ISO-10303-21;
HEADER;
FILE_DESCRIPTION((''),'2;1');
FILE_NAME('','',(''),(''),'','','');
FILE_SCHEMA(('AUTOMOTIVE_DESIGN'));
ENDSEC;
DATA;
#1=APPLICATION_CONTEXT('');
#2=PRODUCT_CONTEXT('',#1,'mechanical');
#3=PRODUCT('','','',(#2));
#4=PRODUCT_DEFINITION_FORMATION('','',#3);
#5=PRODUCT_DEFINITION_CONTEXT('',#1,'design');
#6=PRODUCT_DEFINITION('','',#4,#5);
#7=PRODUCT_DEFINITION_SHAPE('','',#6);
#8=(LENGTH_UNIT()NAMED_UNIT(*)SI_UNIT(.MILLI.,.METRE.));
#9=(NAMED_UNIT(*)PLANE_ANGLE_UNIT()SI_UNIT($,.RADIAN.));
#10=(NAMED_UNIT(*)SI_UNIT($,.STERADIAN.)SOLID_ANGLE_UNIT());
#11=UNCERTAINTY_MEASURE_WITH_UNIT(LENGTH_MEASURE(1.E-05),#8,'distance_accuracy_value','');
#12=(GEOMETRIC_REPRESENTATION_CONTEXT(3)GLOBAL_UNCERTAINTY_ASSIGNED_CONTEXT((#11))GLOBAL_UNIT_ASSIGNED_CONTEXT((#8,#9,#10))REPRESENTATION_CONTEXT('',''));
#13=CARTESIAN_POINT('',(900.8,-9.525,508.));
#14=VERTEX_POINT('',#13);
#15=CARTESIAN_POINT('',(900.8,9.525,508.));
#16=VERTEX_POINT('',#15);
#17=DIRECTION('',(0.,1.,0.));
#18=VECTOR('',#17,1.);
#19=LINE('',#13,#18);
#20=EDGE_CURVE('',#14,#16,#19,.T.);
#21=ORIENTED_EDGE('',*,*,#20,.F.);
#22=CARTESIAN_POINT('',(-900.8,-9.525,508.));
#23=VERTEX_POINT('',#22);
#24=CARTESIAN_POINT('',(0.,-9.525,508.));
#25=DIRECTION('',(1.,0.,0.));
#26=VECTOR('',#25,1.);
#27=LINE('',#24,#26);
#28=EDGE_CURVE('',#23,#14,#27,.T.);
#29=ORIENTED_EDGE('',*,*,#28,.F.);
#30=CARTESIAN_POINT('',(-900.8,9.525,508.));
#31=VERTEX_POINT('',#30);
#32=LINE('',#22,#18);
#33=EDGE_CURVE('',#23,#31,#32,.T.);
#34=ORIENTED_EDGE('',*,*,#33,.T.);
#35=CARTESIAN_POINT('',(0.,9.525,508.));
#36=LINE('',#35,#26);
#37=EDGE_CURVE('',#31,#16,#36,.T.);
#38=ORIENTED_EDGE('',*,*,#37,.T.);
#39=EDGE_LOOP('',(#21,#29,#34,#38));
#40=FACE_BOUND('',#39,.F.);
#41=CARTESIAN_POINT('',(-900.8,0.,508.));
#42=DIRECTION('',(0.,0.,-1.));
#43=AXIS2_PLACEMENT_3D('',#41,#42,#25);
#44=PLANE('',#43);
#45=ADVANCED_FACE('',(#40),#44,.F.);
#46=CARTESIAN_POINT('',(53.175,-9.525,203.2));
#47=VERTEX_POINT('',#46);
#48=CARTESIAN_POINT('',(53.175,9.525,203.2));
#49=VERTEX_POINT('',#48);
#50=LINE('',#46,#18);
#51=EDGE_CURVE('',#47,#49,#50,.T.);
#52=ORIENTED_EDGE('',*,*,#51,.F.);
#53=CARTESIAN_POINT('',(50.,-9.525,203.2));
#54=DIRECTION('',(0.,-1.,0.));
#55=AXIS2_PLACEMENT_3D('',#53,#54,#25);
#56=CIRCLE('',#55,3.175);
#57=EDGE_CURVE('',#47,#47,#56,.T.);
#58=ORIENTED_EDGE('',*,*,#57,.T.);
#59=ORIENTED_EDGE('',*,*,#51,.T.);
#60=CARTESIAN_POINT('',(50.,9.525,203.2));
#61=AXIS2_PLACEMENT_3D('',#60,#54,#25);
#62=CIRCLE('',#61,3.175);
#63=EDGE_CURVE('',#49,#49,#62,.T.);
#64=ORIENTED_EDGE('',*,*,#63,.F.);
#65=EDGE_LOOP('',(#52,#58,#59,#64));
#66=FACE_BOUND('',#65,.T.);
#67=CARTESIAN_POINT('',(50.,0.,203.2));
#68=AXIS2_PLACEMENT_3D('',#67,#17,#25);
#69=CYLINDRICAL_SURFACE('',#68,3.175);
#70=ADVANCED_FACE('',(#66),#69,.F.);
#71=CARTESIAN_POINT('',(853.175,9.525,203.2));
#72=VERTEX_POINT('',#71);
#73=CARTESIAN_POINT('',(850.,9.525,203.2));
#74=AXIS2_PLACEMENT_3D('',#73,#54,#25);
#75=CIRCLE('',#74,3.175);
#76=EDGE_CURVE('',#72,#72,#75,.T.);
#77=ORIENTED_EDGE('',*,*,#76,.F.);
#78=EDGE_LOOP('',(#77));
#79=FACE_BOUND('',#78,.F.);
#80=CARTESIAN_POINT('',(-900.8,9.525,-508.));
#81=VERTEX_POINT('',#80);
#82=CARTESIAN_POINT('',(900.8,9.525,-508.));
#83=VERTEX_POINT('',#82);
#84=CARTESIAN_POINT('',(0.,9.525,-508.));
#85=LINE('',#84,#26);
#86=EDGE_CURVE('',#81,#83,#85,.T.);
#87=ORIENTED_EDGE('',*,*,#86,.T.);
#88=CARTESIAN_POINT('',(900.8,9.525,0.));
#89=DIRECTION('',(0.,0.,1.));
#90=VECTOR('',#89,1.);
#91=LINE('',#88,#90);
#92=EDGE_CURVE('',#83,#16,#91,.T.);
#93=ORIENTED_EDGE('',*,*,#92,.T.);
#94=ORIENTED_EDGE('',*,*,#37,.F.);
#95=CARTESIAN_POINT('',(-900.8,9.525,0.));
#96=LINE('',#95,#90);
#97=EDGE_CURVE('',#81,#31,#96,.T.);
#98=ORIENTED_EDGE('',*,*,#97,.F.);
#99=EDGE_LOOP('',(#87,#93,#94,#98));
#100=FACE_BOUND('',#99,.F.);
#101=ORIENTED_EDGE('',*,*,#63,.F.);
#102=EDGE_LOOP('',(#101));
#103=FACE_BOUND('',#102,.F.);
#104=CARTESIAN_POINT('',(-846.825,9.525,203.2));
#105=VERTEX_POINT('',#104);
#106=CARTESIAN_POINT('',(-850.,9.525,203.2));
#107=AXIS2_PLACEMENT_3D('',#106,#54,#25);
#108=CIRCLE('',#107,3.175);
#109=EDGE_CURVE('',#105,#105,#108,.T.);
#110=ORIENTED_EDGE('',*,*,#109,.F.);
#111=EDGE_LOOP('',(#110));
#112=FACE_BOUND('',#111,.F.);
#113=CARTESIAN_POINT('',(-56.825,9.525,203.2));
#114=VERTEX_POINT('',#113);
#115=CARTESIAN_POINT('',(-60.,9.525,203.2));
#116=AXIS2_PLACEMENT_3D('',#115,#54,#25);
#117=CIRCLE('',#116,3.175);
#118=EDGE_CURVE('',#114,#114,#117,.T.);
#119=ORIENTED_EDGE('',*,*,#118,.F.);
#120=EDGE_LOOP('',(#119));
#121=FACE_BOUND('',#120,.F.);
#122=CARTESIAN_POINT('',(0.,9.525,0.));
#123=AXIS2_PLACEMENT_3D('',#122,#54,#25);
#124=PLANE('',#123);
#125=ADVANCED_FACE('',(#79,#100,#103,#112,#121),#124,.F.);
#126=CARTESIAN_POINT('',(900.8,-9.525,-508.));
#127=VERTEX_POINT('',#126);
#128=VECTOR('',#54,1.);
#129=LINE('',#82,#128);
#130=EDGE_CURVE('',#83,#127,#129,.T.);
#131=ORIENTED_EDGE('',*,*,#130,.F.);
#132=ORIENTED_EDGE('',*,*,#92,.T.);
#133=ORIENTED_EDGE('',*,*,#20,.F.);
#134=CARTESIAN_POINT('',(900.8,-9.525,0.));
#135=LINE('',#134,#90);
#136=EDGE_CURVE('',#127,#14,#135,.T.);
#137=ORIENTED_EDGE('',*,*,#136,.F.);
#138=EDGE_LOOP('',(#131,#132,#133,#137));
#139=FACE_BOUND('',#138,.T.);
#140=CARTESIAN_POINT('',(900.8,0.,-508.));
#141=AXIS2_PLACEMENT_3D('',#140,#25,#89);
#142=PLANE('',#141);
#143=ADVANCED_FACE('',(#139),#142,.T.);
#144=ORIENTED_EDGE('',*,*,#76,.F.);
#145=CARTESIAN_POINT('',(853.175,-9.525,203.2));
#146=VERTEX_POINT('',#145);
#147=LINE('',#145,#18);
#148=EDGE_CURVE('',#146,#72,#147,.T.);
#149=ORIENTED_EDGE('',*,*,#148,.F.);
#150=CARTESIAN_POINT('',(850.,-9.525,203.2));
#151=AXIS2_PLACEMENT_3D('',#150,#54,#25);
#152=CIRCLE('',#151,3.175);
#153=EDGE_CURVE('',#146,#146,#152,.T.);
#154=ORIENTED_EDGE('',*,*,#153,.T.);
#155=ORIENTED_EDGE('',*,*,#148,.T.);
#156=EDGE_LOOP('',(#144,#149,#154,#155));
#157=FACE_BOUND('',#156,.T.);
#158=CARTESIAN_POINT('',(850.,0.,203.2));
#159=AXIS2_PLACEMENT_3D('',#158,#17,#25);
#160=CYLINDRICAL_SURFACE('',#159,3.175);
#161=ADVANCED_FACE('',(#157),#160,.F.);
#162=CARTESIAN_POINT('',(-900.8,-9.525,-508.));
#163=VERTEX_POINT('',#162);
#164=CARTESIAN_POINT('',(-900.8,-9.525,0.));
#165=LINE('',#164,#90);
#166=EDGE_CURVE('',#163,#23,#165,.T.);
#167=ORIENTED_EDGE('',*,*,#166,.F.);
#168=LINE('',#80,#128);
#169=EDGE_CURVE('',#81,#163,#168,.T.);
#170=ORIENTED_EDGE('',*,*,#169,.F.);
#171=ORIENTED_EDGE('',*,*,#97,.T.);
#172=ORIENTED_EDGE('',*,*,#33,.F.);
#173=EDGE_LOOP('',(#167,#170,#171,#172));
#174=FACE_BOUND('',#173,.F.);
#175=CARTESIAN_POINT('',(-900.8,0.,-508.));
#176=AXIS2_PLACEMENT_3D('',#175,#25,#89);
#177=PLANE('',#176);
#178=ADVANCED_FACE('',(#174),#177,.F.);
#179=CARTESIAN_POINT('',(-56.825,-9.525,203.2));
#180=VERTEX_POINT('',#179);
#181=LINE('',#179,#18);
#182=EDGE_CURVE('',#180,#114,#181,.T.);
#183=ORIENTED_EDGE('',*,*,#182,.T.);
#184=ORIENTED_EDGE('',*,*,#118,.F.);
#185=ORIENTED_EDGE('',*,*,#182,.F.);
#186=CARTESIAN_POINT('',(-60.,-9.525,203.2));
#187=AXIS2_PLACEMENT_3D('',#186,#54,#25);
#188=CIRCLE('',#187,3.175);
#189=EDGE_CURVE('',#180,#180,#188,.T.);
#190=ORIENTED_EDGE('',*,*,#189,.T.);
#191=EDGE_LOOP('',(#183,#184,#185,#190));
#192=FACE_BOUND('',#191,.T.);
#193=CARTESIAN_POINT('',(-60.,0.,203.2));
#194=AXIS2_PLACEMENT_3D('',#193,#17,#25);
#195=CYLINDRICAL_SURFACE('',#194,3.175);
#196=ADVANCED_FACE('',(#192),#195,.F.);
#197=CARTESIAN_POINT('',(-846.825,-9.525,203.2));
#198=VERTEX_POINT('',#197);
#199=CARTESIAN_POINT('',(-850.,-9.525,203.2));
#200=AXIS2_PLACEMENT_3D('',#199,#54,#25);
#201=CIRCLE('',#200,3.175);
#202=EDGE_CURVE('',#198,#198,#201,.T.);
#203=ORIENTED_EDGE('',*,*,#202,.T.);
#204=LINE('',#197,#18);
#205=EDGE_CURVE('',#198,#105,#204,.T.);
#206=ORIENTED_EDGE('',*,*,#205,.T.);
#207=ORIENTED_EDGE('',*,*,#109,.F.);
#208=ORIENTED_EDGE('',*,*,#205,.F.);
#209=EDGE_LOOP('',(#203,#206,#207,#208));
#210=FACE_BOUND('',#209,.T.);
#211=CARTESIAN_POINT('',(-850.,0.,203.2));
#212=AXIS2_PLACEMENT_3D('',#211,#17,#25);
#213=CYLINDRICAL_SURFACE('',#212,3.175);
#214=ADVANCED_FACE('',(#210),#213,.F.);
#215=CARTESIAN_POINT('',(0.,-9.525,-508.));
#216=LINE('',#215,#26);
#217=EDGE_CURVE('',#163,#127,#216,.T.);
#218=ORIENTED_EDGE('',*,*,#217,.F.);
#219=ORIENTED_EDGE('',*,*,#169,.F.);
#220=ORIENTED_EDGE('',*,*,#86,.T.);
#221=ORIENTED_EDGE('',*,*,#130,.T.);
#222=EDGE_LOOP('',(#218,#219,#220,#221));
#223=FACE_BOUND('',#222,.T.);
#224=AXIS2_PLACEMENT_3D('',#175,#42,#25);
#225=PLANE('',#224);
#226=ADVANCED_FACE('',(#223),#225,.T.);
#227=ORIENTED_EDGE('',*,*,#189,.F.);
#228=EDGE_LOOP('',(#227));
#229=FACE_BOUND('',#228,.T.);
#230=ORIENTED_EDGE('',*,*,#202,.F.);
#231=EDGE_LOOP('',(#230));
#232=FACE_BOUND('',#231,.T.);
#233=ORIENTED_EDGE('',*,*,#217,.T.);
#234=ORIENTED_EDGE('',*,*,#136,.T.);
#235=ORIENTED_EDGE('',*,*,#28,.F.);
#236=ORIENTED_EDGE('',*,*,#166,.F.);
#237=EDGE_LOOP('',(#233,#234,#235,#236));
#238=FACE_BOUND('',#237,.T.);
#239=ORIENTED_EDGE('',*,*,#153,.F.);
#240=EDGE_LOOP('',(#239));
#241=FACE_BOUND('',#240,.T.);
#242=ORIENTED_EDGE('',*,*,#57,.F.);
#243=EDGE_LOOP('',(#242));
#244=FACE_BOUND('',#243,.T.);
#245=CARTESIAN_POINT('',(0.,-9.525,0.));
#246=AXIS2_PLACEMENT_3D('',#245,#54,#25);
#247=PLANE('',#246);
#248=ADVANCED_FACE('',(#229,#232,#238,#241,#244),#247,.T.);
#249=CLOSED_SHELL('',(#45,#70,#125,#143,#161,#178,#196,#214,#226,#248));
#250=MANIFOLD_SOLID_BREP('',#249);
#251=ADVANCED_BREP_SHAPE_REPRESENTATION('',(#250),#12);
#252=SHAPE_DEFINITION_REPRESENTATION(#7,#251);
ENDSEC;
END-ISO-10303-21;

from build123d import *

# Parameters (mm, degrees)
F0_W     = 1801.6
F0_H     = 1016
F0_R     = 3.175
F1_DEPTH = 9.525


with BuildPart() as f1:
    # F0 (on Front) → F1 (new body, symmetric)
    with BuildSketch(Plane.XZ):
        Rectangle(F0_W, F0_H)
        with Locations((-850, 203.2)):
            Circle(F0_R, mode=Mode.SUBTRACT)
        with Locations((-60, 203.2)):
            Circle(F0_R, mode=Mode.SUBTRACT)
        with Locations((50, 203.2)):
            Circle(F0_R, mode=Mode.SUBTRACT)
        with Locations((850, 203.2)):
            Circle(F0_R, mode=Mode.SUBTRACT)
    extrude(amount=F1_DEPTH, both=True)


solid = f1.part
